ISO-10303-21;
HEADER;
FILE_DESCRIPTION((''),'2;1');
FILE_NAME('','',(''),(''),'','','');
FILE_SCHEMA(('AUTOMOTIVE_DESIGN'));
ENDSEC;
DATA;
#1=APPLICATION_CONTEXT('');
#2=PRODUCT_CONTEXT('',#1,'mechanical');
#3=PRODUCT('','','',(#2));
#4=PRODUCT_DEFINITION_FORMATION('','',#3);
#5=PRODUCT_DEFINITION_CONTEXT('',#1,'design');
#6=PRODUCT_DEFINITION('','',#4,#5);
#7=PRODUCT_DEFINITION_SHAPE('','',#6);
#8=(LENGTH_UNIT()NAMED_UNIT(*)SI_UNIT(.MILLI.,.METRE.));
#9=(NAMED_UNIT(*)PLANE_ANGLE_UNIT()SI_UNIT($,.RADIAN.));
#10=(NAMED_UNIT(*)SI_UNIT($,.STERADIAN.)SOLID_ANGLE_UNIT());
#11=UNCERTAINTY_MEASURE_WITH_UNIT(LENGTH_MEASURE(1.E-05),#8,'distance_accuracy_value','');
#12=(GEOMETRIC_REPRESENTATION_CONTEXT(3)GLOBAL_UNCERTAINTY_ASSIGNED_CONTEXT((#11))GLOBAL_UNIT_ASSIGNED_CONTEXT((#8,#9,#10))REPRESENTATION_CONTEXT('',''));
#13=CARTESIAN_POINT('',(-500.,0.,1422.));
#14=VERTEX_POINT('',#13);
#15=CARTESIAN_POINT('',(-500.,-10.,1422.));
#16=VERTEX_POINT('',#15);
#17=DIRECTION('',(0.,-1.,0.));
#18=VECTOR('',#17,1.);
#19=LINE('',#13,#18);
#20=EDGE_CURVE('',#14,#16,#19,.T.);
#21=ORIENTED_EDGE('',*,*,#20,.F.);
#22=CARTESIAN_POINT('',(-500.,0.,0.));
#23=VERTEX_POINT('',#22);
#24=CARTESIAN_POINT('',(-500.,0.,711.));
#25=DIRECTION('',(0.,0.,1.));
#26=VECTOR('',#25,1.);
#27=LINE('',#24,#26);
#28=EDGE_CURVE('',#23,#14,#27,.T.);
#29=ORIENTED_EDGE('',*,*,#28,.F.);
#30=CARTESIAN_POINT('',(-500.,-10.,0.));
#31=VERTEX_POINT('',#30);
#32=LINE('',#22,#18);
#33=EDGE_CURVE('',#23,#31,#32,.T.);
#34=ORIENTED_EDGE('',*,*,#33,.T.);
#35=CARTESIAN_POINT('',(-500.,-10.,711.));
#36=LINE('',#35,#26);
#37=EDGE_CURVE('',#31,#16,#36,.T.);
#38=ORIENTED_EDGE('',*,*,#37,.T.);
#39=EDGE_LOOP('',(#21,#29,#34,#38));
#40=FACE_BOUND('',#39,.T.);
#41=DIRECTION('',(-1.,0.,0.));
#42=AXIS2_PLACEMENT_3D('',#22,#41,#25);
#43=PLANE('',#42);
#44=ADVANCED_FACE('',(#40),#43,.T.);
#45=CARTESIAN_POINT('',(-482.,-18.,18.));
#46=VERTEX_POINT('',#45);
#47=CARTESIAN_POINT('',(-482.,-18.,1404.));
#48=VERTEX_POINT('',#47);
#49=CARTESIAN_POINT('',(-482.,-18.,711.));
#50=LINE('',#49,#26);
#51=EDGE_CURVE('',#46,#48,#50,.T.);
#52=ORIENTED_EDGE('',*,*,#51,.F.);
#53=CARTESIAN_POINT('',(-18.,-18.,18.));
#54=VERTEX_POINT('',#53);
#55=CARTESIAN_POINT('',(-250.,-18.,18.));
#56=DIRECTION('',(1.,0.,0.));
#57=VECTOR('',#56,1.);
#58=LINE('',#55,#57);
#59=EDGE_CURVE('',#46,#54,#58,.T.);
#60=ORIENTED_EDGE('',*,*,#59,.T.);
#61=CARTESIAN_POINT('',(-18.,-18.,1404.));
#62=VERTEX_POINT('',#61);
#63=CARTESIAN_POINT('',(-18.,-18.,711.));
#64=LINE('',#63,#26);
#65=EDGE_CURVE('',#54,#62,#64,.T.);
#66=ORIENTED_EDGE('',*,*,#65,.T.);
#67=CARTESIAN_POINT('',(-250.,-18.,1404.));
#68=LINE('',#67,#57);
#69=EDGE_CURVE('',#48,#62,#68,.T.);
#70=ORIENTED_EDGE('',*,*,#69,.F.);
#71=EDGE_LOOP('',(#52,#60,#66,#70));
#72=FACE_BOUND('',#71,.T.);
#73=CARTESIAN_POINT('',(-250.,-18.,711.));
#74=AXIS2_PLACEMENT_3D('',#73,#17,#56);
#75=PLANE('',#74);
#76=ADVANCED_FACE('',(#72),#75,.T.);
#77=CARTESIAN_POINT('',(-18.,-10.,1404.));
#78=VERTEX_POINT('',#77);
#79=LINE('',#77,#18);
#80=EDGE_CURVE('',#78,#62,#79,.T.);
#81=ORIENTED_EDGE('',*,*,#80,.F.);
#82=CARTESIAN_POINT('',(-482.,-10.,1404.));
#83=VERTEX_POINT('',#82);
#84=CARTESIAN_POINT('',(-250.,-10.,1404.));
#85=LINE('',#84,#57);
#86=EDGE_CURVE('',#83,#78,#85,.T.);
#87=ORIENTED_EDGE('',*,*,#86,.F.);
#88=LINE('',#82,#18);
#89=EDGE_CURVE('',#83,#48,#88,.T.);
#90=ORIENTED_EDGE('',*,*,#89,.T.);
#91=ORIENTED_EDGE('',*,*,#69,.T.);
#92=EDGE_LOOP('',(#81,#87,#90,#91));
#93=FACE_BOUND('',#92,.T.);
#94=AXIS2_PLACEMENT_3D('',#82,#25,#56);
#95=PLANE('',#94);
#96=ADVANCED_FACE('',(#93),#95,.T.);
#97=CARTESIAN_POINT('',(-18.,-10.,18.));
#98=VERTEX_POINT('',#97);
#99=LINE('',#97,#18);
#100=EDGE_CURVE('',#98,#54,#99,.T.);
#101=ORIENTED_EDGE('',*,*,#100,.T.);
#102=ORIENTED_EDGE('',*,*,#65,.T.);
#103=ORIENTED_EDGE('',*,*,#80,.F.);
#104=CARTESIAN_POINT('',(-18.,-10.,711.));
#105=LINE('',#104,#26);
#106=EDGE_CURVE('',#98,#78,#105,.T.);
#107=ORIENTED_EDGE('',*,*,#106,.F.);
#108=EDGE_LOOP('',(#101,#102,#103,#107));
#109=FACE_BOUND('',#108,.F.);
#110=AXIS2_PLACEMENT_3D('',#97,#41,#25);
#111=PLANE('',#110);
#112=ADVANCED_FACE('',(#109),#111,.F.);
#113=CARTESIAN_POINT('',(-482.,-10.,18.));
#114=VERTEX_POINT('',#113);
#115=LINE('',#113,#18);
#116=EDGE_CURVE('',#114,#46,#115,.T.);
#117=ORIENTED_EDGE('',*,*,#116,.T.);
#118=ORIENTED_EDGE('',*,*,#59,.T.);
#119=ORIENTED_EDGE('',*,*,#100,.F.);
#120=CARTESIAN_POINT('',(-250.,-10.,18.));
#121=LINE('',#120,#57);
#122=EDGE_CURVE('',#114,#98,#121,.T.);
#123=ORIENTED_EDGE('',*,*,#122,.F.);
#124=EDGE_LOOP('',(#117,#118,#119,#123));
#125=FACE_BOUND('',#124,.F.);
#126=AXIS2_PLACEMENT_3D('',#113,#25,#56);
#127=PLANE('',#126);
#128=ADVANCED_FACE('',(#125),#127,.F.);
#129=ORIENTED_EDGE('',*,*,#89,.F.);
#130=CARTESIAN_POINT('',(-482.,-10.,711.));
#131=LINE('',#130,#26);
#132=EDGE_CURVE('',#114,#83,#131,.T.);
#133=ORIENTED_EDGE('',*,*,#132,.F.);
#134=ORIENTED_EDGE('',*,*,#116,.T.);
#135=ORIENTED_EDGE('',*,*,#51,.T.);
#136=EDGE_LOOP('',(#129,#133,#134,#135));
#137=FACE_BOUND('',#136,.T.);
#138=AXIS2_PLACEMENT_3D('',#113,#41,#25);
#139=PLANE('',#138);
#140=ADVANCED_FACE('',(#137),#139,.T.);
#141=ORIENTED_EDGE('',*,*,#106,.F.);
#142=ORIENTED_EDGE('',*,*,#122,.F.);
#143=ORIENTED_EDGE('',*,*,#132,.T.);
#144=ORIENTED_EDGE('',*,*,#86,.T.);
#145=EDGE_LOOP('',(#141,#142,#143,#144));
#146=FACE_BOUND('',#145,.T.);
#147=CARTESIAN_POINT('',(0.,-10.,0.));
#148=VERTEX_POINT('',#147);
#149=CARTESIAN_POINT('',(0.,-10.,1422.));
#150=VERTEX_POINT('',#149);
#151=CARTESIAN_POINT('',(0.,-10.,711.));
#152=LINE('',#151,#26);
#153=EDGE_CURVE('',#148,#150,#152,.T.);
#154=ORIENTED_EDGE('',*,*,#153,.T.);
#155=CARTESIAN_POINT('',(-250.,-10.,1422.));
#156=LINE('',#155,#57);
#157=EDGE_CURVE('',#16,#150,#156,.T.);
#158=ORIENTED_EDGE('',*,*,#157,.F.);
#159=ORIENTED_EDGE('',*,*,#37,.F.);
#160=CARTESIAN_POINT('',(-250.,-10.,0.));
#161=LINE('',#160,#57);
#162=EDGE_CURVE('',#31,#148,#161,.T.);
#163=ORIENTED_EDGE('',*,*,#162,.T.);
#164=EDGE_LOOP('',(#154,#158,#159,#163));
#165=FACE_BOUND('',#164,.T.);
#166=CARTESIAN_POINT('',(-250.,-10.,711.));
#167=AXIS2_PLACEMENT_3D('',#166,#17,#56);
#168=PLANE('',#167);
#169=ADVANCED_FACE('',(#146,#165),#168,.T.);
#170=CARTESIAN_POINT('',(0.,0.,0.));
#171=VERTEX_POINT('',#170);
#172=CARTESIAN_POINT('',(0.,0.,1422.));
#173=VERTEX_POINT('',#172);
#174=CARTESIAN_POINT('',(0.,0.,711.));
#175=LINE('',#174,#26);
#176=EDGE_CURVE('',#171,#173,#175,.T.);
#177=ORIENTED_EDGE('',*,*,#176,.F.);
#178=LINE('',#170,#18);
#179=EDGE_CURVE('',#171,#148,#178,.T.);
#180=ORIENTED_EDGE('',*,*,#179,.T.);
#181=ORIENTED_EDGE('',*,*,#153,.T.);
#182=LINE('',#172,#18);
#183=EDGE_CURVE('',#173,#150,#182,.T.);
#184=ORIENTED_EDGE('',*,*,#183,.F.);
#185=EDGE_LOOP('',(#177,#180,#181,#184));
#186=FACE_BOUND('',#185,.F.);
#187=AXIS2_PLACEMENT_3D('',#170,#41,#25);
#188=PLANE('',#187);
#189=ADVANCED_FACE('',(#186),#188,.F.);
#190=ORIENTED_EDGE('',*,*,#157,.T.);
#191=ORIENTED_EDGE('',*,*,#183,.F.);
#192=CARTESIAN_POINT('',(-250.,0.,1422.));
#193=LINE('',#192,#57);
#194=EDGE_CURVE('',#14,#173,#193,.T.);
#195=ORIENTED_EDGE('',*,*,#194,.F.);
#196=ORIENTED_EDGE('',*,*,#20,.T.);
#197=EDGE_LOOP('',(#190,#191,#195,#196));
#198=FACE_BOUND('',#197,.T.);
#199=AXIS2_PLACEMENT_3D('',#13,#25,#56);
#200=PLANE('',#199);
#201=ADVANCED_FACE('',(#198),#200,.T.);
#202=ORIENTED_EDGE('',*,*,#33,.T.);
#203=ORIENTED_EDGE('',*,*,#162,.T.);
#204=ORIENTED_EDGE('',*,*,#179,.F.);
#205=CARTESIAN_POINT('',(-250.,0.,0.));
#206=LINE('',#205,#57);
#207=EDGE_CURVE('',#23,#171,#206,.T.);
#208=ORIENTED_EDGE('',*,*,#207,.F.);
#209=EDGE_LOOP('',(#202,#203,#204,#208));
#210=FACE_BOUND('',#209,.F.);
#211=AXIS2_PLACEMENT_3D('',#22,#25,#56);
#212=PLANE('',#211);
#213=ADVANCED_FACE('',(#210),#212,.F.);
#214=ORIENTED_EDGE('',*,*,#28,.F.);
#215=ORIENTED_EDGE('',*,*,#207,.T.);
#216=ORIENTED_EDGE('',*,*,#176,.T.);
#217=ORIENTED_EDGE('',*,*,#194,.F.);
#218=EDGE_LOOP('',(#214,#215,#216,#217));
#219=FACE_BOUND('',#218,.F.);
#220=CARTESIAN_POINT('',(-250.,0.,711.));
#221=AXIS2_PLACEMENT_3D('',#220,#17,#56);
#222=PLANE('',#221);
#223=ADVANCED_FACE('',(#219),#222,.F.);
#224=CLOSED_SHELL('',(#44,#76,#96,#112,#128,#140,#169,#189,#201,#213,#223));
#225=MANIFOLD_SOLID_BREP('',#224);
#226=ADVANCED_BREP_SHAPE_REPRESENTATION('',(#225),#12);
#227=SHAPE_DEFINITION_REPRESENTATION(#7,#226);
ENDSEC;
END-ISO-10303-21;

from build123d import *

# Parameters (mm, degrees)
SKETCH_W     = 500
SKETCH_H     = 1422
PAD_DEPTH    = 10
SKETCH001_W  = 464
SKETCH001_H  = 1386
PAD001_DEPTH = 8


with BuildPart() as part:
    # Sketch → Pad (new body)
    with BuildSketch(Plane.XZ):
        with Locations((-250, 711)):
            Rectangle(SKETCH_W, SKETCH_H)
    extrude(amount=PAD_DEPTH)

    # Sketch001 (on Face6 of Pad) → Pad001 (join)
    with BuildSketch(Plane.XZ.offset(10)):
        with Locations((-250, 711)):
            Rectangle(SKETCH001_W, SKETCH001_H)
    extrude(amount=PAD001_DEPTH)


solid = part.part
